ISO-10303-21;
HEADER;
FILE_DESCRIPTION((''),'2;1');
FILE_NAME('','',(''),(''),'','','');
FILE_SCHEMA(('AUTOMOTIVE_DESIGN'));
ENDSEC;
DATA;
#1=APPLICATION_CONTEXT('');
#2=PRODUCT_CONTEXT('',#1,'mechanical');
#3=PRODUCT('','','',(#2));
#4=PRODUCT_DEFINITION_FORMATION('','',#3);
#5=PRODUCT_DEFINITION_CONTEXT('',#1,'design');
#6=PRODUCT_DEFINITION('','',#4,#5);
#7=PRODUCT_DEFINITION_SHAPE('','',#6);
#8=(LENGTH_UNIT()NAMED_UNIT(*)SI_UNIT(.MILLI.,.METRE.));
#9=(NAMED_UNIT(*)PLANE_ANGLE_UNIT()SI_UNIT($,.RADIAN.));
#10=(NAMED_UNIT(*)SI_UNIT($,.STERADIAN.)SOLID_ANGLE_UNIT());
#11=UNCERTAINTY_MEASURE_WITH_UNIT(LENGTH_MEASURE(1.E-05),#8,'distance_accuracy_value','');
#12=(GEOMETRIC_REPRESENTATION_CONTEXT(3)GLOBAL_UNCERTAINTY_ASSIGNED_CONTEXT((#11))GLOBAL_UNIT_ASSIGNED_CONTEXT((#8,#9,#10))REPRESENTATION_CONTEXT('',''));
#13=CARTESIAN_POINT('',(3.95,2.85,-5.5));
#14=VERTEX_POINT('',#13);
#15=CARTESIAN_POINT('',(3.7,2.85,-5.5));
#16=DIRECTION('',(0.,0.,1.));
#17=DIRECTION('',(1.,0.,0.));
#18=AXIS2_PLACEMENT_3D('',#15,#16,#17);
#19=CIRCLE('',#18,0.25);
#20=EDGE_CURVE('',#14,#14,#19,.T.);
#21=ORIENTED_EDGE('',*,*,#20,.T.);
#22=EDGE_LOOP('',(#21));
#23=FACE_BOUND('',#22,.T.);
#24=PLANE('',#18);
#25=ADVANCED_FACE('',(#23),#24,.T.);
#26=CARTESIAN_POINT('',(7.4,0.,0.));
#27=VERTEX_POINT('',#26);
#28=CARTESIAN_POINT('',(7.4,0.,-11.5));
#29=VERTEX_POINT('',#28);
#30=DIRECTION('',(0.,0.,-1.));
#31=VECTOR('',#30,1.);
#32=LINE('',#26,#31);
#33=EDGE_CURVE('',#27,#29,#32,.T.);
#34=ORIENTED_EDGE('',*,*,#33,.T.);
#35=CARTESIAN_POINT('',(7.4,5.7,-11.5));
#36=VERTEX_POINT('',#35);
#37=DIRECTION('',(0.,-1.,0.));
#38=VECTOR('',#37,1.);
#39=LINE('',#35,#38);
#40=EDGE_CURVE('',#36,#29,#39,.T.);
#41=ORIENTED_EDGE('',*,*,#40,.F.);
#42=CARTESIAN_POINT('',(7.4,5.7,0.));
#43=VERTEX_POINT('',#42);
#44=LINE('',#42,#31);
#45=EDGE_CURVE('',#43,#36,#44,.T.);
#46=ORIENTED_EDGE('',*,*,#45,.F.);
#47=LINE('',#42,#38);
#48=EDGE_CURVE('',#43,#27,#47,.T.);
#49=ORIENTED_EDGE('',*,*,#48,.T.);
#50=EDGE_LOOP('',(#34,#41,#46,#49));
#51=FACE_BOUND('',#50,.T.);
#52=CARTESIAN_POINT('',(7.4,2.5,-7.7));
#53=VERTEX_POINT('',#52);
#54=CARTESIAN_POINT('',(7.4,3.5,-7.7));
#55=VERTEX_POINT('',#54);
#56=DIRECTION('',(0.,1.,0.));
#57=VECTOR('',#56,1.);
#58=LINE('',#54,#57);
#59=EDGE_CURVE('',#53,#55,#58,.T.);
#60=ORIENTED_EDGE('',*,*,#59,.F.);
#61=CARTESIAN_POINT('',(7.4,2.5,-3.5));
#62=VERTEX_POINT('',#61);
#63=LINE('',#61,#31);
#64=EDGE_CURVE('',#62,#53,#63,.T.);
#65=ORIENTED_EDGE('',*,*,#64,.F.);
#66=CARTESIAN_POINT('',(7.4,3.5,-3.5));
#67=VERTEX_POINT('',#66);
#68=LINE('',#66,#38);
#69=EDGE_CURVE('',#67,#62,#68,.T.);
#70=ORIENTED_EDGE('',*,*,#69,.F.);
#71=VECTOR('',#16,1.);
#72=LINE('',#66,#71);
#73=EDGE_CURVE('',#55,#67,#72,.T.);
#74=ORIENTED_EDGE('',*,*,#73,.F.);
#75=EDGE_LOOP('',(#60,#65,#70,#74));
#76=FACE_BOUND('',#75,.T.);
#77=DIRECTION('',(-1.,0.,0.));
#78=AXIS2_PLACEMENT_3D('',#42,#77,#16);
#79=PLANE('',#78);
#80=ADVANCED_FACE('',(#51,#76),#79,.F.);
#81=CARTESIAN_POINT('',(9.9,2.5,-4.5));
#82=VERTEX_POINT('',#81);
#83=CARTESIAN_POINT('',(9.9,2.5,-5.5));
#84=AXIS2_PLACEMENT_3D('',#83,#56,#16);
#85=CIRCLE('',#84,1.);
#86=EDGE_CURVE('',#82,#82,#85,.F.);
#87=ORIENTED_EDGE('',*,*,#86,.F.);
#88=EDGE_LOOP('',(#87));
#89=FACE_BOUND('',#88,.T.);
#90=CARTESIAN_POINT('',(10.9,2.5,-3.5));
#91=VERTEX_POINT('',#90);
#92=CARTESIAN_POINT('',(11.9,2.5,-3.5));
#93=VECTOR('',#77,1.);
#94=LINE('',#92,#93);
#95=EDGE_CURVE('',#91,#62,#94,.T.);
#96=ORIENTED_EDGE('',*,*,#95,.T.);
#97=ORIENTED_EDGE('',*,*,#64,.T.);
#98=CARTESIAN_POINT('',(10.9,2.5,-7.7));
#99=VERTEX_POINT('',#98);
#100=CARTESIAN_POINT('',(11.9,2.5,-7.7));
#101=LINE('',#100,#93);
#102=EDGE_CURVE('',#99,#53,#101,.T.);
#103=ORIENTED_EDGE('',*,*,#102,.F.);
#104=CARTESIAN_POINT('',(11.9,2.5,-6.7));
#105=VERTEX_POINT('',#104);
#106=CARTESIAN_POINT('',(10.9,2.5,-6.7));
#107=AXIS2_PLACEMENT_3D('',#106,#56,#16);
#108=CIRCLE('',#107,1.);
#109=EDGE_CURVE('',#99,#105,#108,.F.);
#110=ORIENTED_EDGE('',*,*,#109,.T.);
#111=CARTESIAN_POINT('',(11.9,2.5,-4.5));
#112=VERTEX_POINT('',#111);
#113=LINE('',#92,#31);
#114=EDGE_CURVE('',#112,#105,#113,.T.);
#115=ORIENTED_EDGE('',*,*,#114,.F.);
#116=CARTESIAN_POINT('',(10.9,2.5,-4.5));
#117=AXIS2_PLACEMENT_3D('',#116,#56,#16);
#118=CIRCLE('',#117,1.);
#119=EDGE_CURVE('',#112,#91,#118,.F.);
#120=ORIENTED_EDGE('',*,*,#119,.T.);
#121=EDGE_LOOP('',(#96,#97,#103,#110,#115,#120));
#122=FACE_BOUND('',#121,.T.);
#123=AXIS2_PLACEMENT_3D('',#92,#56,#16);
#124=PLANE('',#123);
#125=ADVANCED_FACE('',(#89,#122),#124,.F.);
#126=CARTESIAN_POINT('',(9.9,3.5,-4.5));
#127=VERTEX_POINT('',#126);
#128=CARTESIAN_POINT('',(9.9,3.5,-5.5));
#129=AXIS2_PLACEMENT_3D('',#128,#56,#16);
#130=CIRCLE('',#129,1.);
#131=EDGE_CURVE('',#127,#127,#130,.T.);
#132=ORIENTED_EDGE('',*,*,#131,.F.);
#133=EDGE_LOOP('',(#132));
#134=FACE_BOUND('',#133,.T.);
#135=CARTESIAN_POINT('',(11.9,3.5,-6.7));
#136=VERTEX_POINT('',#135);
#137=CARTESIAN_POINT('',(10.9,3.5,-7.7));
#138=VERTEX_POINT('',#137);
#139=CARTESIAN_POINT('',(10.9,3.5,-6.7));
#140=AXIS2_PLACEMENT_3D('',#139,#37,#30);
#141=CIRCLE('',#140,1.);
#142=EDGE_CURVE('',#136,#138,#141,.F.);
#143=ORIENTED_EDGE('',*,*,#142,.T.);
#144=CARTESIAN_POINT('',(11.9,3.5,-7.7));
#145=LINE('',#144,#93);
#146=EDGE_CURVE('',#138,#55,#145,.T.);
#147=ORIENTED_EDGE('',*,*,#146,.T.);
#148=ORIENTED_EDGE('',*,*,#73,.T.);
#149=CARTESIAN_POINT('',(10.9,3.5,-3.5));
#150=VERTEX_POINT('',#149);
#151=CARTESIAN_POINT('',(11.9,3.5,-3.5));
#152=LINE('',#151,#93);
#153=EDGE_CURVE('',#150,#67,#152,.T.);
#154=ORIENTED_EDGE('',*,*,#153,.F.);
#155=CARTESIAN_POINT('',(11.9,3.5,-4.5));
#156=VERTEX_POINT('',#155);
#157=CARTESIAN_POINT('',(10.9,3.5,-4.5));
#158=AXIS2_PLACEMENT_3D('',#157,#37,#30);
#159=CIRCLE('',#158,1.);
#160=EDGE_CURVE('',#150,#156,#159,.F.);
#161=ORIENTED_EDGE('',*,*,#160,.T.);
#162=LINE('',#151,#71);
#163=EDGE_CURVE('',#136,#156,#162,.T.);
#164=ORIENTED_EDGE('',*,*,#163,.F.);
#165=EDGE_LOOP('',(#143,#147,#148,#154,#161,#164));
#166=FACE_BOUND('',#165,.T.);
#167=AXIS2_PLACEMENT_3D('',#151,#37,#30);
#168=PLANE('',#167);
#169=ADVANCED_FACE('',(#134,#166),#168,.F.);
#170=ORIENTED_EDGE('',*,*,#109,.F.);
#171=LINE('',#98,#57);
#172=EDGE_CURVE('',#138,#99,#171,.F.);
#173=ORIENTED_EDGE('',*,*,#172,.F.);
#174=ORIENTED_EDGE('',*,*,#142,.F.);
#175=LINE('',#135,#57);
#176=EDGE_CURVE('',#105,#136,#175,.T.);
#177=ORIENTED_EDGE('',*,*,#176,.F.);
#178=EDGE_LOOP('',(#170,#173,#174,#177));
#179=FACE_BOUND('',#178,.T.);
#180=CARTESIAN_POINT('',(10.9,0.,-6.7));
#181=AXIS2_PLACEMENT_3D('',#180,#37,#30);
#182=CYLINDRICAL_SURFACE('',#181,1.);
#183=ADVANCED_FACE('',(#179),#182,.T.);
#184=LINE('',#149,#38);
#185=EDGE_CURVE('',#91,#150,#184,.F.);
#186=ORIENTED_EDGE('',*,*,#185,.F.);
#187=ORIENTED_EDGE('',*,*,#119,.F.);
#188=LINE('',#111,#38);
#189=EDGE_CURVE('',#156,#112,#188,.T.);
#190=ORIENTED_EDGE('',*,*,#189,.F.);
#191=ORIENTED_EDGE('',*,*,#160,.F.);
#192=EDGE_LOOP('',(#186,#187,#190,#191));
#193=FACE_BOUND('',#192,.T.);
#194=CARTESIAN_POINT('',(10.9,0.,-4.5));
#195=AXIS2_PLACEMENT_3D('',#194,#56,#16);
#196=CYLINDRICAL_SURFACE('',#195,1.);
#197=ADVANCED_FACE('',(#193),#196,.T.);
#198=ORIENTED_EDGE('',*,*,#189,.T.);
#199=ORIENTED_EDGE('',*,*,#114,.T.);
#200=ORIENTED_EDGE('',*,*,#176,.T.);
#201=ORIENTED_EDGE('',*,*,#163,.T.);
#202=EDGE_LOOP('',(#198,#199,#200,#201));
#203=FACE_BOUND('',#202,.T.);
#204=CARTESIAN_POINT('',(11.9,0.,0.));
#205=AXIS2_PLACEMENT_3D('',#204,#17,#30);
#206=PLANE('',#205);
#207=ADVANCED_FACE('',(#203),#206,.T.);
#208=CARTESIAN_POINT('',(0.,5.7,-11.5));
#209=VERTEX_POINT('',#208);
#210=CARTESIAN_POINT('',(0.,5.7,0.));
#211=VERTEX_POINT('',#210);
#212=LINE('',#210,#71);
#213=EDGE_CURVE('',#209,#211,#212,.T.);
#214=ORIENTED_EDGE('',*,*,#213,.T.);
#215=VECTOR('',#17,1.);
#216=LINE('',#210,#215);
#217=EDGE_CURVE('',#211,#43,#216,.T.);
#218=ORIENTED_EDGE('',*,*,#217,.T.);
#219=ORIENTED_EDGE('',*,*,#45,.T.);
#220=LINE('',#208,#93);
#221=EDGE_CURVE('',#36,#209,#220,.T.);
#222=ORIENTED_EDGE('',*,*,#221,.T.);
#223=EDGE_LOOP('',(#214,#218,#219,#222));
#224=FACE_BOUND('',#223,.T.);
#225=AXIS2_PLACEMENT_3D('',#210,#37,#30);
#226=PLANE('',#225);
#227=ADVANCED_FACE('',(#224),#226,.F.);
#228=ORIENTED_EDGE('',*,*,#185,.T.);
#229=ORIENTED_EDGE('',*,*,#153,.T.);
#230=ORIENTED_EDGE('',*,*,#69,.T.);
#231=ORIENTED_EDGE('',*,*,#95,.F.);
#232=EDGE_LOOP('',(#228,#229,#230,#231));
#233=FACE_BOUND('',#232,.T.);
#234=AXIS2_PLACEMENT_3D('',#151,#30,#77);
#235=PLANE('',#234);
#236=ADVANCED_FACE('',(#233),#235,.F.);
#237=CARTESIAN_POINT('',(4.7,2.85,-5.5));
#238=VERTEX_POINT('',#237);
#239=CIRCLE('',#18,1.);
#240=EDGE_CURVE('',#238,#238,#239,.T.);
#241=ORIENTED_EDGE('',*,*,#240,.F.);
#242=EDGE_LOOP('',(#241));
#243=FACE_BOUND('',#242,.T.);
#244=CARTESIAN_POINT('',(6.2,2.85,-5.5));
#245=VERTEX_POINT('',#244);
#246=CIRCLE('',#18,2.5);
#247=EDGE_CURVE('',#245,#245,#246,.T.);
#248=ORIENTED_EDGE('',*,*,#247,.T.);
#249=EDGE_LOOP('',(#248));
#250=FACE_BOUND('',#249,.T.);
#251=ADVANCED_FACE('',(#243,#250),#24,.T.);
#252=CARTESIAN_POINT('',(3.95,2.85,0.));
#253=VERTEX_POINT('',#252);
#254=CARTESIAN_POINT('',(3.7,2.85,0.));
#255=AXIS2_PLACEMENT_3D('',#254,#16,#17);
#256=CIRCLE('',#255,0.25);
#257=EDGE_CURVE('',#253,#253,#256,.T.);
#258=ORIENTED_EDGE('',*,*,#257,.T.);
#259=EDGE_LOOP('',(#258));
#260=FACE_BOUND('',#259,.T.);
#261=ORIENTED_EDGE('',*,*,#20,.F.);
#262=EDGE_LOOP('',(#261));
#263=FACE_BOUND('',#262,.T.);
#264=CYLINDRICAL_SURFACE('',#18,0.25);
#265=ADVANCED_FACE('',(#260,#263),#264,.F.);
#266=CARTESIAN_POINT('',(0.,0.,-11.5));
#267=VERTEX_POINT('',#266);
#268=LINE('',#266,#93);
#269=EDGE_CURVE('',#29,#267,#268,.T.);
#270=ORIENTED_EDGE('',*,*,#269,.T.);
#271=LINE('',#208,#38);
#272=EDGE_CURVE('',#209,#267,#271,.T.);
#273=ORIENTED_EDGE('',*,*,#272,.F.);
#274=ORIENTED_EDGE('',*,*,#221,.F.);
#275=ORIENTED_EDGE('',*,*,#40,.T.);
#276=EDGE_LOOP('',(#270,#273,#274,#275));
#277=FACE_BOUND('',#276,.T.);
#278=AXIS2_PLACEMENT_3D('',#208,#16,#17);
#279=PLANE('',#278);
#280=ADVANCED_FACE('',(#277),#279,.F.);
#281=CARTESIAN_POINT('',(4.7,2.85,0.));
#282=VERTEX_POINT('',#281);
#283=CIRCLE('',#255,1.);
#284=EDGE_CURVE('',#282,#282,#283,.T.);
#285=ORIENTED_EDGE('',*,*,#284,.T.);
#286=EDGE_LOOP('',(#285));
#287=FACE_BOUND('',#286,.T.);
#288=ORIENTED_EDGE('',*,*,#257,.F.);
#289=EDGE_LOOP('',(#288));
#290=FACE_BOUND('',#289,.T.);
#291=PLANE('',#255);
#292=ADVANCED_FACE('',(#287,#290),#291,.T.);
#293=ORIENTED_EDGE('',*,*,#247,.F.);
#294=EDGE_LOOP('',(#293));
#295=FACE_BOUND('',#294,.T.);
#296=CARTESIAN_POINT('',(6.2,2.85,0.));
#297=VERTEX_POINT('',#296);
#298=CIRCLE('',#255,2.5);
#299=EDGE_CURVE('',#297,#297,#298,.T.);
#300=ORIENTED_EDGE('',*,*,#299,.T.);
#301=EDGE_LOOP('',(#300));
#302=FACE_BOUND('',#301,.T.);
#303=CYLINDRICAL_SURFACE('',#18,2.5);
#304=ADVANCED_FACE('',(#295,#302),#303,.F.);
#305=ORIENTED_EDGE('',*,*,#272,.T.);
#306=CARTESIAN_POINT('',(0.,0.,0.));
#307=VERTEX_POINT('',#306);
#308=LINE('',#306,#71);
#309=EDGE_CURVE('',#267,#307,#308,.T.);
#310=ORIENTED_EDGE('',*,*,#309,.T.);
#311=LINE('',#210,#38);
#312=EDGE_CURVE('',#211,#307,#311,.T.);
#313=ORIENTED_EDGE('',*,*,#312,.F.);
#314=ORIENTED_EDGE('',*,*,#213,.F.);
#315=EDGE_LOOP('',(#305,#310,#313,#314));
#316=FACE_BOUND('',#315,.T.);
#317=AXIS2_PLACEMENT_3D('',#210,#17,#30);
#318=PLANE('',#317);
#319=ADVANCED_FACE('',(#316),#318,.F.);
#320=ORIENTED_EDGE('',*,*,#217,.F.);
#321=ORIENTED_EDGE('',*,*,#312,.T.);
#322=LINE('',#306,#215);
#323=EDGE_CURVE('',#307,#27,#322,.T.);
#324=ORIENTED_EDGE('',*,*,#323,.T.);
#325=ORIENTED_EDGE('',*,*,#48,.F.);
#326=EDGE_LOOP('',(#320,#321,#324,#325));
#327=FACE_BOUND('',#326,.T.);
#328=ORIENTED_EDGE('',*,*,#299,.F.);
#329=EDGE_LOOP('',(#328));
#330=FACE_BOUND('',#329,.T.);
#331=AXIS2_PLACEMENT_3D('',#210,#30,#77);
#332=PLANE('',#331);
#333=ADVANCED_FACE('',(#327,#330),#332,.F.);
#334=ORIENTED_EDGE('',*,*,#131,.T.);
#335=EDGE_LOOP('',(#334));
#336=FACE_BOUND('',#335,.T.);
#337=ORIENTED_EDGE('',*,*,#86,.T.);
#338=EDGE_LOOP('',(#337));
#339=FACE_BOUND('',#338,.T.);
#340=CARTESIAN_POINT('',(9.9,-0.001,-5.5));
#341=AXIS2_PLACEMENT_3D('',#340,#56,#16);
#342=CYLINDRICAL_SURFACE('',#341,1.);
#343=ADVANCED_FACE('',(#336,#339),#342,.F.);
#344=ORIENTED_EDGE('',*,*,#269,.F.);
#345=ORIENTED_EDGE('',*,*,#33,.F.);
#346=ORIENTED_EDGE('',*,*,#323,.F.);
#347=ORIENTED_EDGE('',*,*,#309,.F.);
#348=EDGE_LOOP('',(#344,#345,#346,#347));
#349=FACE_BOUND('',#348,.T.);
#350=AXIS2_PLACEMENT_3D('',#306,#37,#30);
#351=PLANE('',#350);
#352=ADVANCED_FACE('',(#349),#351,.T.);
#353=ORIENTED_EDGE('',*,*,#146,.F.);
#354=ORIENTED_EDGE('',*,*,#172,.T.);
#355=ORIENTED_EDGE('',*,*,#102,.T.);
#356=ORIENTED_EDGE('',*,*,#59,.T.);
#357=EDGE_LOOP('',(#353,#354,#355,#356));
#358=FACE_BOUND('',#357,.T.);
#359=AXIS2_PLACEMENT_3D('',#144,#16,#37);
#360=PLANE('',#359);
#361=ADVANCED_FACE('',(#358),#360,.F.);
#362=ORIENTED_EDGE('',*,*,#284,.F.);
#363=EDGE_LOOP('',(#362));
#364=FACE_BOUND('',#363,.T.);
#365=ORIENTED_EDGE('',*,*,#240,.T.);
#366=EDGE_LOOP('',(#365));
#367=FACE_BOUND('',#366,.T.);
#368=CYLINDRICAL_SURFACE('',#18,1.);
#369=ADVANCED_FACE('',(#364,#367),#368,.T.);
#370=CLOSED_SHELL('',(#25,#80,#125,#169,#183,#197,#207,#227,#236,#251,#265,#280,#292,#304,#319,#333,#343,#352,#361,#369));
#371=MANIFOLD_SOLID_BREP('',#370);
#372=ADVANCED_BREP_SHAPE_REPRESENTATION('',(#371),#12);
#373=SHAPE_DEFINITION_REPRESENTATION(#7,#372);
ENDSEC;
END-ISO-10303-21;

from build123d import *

# Parameters (mm, degrees)
SKETCH1_W           = 7.4
SKETCH1_H           = 11.5
BOSS_EXTRUDE1_DEPTH = 5.7
SKETCH2_R           = 2.5
CUT_EXTRUDE1_DEPTH  = 5.5
SKETCH3_R           = 1
BOSS_EXTRUDE2_DEPTH = 5.5
SKETCH4_R           = 0.25
CUT_EXTRUDE2_DEPTH  = 5.5
SKETCH5_W           = 4.2
SKETCH5_H           = 1
BOSS_EXTRUDE3_DEPTH = 4.5
FILLET1_R           = 1
CUT_EXTRUDE3_REACH  = 5.5
SKETCH6_R           = 1


with BuildPart() as part:
    # Sketch1 → Boss-Extrude1 (new body)
    with BuildSketch(Plane(origin=(0, 0, 0), x_dir=(1, 0, 0), z_dir=(0, 1, 0))):
        with Locations((3.7, 5.75)):
            Rectangle(SKETCH1_W, SKETCH1_H)
    extrude(amount=BOSS_EXTRUDE1_DEPTH)

    # Sketch2 → Cut-Extrude1 (cut)
    with BuildSketch(Plane.XY):
        with Locations((3.7, 2.85)):
            Circle(SKETCH2_R)
    extrude(amount=-CUT_EXTRUDE1_DEPTH, mode=Mode.SUBTRACT)

    # Sketch3 → Boss-Extrude2 (add)
    with BuildSketch(Plane.XY):
        with Locations((3.7, 2.85)):
            Circle(SKETCH3_R)
    extrude(amount=-BOSS_EXTRUDE2_DEPTH)

    # Sketch4 → Cut-Extrude2 (cut)
    with BuildSketch(Plane.XY):
        with Locations((3.7, 2.85)):
            Circle(SKETCH4_R)
    extrude(amount=-CUT_EXTRUDE2_DEPTH, mode=Mode.SUBTRACT)

    # Sketch5 → Boss-Extrude3 (add)
    with BuildSketch(Plane(origin=(7.4, 0, 0), x_dir=(0, 0, -1), z_dir=(1, 0, 0))):
        with Locations((5.6, 3)):
            Rectangle(SKETCH5_W, SKETCH5_H)
    extrude(amount=BOSS_EXTRUDE3_DEPTH)

    # Fillet1
    fillet1_edges = [part.edges().sort_by_distance(p)[0] for p in [
        (11.9, 3, -3.5),
        (11.9, 3, -7.7),
    ]]
    fillet(fillet1_edges, radius=FILLET1_R)

    # Sketch6 → Cut-Extrude3 (cut, up to next)
    with BuildSketch(Plane(origin=(0, 3.5, 0), x_dir=(1, 0, 0), z_dir=(0, 1, 0)), mode=Mode.PRIVATE) as cut_extrude3_sk1:
        with Locations((9.9, 5.5)):
            Circle(SKETCH6_R)
    cut_extrude3_tool1 = extrude(cut_extrude3_sk1.sketch, amount=-CUT_EXTRUDE3_REACH, mode=Mode.PRIVATE) & part.part
    add(cut_extrude3_tool1.solids().sort_by_distance((9.9, 3.5, -5.5))[0], mode=Mode.SUBTRACT)


solid = part.part
